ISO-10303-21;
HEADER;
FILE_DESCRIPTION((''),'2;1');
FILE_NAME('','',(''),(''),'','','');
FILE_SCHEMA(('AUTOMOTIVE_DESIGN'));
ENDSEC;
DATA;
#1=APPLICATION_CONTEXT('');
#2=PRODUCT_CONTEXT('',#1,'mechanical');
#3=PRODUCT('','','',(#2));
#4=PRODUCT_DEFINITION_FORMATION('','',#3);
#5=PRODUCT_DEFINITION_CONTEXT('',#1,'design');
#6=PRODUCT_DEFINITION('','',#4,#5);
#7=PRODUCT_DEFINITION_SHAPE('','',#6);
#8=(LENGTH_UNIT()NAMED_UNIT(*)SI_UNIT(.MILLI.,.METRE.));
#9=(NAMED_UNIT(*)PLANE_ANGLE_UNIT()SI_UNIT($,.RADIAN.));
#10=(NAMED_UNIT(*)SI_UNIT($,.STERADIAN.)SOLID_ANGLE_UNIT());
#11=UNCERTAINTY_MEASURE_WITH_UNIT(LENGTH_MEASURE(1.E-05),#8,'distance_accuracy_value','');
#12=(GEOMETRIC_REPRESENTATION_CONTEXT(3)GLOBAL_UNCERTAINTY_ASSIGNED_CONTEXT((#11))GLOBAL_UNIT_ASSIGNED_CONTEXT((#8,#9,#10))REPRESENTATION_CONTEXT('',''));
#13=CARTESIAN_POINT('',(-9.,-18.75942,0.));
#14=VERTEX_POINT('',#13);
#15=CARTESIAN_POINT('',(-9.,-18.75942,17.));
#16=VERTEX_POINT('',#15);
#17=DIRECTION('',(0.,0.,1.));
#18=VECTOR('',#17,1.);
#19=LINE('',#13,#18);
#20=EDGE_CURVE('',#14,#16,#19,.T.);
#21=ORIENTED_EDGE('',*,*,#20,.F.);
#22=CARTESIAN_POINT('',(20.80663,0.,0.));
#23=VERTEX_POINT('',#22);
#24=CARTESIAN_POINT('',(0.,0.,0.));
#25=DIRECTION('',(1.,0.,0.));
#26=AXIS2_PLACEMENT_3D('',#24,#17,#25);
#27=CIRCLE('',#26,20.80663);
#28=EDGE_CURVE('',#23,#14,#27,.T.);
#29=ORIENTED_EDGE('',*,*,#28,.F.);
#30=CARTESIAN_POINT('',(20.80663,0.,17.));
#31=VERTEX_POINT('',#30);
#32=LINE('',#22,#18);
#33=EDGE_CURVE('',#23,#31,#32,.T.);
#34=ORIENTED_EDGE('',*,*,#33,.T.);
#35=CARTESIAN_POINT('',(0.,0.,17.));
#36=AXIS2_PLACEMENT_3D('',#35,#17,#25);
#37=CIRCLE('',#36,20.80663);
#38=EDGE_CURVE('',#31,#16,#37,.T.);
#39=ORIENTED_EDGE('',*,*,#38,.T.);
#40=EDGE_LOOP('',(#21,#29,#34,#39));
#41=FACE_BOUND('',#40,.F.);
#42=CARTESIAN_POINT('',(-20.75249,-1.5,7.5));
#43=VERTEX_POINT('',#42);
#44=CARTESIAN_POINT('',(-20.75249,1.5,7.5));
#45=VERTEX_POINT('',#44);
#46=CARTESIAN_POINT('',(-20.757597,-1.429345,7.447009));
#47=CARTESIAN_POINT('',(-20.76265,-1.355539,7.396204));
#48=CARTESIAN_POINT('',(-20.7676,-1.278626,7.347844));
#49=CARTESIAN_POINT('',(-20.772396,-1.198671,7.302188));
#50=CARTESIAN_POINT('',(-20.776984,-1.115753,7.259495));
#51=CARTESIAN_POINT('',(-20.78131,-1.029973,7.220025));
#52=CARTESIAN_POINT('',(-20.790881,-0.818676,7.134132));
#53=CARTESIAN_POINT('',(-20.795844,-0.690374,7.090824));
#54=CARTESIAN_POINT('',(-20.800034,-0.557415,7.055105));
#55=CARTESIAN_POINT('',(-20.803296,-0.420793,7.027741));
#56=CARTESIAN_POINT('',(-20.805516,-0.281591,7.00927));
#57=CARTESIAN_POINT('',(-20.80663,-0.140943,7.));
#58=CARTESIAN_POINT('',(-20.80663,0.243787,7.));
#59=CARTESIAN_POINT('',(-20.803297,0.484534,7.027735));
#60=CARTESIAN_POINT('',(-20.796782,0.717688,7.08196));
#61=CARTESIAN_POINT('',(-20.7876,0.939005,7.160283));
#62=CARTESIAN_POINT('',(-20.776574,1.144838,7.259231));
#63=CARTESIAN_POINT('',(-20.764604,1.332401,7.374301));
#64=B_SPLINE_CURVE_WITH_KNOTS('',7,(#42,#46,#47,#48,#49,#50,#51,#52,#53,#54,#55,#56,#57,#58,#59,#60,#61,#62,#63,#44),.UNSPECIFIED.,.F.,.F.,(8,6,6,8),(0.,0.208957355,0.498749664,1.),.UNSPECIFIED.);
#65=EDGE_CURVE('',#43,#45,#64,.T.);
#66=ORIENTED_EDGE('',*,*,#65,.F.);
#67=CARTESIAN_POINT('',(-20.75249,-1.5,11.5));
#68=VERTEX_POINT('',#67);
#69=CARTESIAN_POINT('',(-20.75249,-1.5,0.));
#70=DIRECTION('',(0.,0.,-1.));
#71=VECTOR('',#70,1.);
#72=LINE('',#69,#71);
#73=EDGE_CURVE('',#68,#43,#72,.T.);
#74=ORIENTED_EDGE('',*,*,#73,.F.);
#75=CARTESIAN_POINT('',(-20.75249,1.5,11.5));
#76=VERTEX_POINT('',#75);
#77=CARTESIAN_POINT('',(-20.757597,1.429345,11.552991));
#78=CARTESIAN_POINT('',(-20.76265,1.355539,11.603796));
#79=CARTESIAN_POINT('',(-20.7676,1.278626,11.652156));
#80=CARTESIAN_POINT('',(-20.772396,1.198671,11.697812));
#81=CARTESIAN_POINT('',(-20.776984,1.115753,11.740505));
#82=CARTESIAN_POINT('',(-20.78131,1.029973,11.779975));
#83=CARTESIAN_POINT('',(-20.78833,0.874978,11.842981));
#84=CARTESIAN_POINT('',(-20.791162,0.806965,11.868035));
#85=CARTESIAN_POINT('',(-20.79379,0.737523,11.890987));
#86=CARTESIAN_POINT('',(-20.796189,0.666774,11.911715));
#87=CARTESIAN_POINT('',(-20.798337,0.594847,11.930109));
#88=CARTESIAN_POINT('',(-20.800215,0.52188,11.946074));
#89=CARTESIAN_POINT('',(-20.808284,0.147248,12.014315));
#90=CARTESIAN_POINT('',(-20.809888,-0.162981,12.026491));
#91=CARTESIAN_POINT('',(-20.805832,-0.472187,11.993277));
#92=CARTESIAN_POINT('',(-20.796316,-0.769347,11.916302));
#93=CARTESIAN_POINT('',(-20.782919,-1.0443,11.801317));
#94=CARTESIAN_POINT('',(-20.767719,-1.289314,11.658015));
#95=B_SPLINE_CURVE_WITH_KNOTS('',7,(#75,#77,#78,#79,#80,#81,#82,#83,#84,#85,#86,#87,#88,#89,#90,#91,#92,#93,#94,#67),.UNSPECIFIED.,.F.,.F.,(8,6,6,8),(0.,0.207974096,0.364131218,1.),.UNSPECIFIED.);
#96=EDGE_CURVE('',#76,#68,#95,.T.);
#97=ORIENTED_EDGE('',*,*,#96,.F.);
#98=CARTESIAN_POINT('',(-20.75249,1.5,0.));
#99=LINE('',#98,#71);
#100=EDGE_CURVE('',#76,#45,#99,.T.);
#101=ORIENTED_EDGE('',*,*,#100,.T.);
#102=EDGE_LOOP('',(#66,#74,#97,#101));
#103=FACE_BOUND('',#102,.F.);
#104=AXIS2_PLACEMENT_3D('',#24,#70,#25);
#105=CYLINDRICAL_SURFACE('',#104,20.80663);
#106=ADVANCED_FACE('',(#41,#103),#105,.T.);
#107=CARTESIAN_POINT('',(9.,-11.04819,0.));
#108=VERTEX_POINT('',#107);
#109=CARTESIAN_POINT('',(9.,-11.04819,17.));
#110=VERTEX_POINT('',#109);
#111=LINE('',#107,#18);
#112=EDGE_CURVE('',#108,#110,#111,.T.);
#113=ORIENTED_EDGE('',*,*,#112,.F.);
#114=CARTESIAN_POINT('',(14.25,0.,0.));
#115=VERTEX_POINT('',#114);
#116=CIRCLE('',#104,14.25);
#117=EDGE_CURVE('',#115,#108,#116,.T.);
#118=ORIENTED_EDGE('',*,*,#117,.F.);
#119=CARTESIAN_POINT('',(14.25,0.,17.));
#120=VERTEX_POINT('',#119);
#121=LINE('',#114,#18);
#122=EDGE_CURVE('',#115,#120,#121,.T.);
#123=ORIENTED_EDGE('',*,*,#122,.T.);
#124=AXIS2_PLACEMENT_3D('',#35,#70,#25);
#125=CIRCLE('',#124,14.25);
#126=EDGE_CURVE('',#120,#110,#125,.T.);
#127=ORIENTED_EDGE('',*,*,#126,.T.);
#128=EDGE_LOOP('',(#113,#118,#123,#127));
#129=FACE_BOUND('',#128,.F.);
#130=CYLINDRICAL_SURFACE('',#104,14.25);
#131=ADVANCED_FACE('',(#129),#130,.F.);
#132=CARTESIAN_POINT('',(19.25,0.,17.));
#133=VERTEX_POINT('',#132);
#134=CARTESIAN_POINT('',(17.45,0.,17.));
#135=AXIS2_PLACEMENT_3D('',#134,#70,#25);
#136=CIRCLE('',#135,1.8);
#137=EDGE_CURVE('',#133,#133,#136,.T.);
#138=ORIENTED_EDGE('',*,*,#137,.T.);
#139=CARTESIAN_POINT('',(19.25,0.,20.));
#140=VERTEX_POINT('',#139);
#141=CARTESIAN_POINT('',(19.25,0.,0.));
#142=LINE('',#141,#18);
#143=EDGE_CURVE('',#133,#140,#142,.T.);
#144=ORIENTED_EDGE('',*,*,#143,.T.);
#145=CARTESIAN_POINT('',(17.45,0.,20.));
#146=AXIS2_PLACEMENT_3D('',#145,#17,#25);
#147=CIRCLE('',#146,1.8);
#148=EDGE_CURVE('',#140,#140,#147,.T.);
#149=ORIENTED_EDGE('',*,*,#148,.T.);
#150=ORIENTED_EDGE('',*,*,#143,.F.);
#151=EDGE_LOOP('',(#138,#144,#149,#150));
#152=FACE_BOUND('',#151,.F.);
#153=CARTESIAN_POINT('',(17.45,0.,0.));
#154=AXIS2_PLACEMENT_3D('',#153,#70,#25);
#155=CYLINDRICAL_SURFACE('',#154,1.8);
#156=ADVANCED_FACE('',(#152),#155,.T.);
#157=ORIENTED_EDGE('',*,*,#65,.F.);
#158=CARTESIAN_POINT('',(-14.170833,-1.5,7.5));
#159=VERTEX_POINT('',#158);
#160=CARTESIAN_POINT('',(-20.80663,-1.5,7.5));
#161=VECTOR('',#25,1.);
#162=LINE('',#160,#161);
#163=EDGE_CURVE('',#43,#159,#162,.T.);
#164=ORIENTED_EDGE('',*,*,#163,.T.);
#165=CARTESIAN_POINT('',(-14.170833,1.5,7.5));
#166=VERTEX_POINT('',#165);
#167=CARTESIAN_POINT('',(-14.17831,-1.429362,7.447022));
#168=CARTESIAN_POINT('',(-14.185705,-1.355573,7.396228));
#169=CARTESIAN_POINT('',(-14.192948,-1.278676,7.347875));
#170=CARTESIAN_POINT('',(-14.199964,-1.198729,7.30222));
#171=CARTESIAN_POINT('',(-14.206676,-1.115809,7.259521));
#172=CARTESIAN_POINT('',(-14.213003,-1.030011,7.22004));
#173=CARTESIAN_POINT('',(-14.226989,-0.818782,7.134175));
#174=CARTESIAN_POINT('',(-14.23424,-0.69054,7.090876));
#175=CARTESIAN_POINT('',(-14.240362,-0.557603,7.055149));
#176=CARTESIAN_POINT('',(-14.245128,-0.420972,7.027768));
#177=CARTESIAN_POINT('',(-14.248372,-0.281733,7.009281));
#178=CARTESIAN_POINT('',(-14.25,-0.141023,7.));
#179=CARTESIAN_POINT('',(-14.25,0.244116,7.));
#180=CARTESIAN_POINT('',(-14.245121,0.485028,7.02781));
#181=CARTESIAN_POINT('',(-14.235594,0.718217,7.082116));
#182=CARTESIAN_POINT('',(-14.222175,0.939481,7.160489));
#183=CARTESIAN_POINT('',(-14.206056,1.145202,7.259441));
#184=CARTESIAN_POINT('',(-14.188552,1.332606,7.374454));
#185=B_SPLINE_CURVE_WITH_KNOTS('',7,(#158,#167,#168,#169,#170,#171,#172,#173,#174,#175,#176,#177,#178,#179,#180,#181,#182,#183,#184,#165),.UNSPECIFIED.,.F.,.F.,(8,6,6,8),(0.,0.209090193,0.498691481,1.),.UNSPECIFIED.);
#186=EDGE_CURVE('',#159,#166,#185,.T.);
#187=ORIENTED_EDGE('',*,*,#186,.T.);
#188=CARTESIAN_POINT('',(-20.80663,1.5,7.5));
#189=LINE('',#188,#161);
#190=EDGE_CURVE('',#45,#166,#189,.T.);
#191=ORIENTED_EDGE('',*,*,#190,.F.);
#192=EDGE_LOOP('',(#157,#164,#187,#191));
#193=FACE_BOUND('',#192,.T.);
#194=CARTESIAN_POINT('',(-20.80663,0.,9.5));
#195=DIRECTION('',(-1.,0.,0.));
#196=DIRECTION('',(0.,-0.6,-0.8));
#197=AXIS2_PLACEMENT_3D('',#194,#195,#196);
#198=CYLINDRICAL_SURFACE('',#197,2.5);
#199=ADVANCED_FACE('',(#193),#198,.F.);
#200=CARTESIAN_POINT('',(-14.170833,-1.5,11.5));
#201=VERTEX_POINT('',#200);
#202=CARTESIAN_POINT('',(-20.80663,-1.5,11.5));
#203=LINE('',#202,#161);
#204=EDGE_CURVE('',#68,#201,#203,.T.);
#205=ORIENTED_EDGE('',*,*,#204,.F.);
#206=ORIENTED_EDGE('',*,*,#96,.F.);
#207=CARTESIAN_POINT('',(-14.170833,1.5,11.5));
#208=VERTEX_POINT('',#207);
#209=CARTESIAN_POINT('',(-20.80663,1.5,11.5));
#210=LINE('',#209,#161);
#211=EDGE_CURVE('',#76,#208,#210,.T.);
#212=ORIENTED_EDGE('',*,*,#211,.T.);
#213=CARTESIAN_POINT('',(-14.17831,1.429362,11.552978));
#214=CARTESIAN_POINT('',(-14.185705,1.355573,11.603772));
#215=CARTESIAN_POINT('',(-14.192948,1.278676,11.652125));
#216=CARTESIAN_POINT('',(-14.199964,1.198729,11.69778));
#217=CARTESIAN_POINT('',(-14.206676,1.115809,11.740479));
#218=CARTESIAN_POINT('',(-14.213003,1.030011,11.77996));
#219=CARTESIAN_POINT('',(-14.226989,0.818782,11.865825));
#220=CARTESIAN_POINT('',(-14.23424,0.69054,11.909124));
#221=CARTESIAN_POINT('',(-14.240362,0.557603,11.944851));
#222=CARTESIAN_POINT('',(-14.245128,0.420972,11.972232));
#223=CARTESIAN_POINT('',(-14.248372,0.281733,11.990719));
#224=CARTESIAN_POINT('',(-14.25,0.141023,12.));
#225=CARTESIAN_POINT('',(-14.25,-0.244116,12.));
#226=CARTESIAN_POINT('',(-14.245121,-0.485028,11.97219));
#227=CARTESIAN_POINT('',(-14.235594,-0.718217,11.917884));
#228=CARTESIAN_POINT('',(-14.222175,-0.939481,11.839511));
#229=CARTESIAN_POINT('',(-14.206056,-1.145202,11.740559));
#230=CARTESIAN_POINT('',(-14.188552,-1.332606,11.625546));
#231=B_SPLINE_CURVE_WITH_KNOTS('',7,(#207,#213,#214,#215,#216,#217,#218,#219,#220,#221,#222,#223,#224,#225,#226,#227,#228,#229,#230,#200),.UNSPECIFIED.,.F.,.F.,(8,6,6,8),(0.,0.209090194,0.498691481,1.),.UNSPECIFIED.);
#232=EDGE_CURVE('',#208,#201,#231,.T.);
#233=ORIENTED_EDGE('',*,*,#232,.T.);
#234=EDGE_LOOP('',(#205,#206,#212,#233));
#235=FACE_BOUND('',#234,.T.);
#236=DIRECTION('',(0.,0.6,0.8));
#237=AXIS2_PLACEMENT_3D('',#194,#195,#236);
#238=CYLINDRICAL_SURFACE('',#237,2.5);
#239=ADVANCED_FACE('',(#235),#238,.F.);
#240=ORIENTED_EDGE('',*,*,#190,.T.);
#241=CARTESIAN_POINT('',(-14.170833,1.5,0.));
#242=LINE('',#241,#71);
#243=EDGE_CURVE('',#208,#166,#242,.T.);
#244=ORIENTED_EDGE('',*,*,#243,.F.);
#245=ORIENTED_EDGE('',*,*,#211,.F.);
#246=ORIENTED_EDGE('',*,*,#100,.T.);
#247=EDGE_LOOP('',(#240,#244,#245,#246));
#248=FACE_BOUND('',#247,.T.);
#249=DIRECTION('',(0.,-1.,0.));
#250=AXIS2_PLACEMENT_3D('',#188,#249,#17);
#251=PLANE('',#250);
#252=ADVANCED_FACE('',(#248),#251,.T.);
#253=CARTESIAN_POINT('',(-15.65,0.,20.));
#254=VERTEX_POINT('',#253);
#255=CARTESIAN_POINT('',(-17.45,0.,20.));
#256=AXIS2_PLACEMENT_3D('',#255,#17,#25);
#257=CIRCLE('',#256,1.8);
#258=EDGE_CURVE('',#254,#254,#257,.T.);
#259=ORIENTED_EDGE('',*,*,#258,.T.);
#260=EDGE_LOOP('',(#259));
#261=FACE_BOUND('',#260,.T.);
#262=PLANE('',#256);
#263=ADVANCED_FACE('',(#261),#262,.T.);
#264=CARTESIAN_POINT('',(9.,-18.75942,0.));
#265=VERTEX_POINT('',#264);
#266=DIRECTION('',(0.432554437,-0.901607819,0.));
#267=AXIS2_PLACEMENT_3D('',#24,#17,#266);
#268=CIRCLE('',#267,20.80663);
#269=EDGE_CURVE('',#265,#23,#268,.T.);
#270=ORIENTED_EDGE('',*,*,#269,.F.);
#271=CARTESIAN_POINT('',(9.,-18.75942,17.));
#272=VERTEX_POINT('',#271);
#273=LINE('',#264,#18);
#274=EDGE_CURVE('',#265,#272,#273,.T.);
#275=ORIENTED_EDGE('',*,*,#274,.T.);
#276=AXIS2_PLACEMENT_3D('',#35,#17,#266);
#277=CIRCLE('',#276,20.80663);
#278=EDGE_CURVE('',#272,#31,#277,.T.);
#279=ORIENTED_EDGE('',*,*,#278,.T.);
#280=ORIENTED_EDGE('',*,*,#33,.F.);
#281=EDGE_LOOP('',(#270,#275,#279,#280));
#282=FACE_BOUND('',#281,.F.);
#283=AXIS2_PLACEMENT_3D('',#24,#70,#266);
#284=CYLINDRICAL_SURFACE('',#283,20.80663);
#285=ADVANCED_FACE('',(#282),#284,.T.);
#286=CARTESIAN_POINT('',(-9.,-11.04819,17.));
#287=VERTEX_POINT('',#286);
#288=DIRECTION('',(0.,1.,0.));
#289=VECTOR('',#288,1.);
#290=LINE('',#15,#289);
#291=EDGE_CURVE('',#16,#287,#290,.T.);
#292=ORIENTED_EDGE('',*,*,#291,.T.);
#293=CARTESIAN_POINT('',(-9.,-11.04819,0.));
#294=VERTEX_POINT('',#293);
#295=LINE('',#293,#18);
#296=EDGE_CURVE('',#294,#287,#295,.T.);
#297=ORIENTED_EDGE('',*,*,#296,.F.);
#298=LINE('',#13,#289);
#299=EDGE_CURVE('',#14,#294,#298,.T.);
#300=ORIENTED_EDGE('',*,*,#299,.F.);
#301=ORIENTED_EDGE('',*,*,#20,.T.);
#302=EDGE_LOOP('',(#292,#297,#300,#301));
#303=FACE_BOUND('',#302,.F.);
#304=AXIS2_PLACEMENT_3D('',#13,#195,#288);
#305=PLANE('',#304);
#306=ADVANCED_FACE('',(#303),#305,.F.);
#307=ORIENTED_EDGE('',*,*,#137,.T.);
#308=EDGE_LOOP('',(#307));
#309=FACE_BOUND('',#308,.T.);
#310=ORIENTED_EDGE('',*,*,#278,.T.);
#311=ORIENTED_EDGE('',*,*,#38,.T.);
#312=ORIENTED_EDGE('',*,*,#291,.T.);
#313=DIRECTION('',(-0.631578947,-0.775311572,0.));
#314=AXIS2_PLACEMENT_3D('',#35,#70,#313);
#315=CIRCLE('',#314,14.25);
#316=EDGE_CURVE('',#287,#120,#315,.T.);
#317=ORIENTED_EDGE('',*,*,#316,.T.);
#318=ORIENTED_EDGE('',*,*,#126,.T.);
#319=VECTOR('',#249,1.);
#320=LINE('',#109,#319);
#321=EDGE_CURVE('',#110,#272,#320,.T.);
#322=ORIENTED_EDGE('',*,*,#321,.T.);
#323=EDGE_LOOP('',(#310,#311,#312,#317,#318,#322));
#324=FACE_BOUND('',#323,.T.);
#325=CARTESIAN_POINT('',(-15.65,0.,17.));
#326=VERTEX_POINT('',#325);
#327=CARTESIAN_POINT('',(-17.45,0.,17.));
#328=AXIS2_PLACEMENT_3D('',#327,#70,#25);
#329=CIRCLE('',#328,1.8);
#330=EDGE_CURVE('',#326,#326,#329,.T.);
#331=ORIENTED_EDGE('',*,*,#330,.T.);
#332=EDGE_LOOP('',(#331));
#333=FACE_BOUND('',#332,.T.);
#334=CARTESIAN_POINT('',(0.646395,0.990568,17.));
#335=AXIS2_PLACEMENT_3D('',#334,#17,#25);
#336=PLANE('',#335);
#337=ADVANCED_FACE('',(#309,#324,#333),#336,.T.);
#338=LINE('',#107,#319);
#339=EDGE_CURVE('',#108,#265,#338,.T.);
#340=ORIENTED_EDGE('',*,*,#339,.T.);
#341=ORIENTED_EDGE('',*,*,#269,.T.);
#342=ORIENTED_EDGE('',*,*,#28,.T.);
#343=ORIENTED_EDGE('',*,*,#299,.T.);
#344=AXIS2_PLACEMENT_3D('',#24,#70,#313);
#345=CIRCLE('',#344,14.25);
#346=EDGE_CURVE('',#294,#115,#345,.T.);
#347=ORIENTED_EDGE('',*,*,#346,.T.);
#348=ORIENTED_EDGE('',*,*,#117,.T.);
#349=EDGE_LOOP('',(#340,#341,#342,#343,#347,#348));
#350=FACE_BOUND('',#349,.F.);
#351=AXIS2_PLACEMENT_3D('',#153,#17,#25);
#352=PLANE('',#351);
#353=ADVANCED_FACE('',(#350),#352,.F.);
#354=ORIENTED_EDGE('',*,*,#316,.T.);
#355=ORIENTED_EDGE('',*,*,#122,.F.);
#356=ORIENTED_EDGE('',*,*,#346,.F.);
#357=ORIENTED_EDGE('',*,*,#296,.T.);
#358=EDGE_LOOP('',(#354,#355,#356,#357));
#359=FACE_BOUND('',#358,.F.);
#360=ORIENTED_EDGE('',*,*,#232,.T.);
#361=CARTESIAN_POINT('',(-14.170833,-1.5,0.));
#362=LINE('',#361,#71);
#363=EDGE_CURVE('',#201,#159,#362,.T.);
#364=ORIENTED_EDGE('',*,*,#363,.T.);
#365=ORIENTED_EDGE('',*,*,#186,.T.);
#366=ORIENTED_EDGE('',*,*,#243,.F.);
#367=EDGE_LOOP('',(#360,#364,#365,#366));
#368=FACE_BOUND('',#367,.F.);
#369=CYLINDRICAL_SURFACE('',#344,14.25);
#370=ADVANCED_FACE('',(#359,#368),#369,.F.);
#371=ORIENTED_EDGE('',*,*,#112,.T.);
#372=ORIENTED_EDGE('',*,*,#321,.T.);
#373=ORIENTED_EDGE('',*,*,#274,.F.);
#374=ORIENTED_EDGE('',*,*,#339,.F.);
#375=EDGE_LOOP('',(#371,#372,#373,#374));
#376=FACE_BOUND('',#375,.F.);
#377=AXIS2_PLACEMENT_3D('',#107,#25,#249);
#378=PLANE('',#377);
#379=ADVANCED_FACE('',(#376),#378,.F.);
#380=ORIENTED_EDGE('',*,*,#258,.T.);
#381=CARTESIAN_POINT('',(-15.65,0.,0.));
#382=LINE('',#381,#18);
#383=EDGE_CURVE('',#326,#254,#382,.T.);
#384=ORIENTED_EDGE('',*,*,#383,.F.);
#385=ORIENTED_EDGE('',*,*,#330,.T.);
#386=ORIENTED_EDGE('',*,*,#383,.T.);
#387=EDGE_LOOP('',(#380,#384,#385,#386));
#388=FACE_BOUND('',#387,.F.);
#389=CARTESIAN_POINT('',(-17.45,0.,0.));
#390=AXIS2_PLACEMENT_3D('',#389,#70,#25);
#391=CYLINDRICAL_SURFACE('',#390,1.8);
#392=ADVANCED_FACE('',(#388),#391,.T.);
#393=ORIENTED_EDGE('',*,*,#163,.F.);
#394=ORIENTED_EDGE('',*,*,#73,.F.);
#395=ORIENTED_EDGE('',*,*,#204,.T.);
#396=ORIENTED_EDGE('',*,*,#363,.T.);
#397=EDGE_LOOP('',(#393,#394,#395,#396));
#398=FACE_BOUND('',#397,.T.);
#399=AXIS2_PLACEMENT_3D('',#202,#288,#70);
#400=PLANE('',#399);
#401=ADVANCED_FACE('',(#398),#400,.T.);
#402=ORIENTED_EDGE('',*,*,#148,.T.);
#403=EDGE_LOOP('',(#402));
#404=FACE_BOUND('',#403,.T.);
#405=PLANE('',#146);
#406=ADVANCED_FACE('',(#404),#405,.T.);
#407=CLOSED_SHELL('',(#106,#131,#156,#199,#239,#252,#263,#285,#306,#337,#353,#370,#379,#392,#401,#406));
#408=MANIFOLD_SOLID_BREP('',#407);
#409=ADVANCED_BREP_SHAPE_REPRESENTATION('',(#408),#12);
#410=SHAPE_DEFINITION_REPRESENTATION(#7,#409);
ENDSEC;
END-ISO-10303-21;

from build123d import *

# Parameters (mm, degrees)
F0_R     = 1.8
F1_DEPTH = 17
F2_DEPTH = 20
F5_DEPTH = 6.6367971034


with BuildPart() as f1:
    # F0 (on Top) → F1 (new body)
    with BuildSketch(Plane.XY):
        with BuildLine():
            ThreePointArc((-9, -11.048189897), (-6.1160649114, 12.8707517263), (14.25, 0))
            ThreePointArc((14.25, 0), (12.8707517263, -6.1160649114), (9, -11.048189897))
            Line((9, -11.048189897), (9, -18.7594200464))
            ThreePointArc((9, -18.7594200464), (17.6093087314, -11.0827833364), (20.8066297242, 0))
            ThreePointArc((20.8066297242, 0), (-11.0827833364, 17.6093087314), (-9, -18.7594200464))
            Line((-9, -18.7594200464), (-9, -11.048189897))
        make_face()
        with Locations((-17.45, 0)):
            Circle(F0_R, mode=Mode.SUBTRACT)
        with Locations((17.45, 0)):
            Circle(F0_R, mode=Mode.SUBTRACT)
        with Locations((17.45, 0)):
            Circle(F0_R)
        with Locations((-17.45, 0)):
            Circle(F0_R)
    extrude(amount=F1_DEPTH)

    # F0 (on Top) → F2 (join)
    with BuildSketch(Plane.XY):
        with Locations((17.45, 0)):
            Circle(F0_R)
        with Locations((-17.45, 0)):
            Circle(F0_R)
    extrude(amount=F2_DEPTH)

    # F4 (on plane+point) → F5 (cut, through all)
    with BuildSketch(Plane.YZ.offset(-20.8066297242)):
        with BuildLine():
            Line((1.5, 7.5), (1.5, 11.5))
            ThreePointArc((1.5, 11.5), (0, 12), (-1.5, 11.5))
            Line((-1.5, 11.5), (-1.5, 7.5))
            ThreePointArc((-1.5, 7.5), (0, 7), (1.5, 7.5))
        make_face()
    extrude(amount=F5_DEPTH, mode=Mode.SUBTRACT)


solid = f1.part
